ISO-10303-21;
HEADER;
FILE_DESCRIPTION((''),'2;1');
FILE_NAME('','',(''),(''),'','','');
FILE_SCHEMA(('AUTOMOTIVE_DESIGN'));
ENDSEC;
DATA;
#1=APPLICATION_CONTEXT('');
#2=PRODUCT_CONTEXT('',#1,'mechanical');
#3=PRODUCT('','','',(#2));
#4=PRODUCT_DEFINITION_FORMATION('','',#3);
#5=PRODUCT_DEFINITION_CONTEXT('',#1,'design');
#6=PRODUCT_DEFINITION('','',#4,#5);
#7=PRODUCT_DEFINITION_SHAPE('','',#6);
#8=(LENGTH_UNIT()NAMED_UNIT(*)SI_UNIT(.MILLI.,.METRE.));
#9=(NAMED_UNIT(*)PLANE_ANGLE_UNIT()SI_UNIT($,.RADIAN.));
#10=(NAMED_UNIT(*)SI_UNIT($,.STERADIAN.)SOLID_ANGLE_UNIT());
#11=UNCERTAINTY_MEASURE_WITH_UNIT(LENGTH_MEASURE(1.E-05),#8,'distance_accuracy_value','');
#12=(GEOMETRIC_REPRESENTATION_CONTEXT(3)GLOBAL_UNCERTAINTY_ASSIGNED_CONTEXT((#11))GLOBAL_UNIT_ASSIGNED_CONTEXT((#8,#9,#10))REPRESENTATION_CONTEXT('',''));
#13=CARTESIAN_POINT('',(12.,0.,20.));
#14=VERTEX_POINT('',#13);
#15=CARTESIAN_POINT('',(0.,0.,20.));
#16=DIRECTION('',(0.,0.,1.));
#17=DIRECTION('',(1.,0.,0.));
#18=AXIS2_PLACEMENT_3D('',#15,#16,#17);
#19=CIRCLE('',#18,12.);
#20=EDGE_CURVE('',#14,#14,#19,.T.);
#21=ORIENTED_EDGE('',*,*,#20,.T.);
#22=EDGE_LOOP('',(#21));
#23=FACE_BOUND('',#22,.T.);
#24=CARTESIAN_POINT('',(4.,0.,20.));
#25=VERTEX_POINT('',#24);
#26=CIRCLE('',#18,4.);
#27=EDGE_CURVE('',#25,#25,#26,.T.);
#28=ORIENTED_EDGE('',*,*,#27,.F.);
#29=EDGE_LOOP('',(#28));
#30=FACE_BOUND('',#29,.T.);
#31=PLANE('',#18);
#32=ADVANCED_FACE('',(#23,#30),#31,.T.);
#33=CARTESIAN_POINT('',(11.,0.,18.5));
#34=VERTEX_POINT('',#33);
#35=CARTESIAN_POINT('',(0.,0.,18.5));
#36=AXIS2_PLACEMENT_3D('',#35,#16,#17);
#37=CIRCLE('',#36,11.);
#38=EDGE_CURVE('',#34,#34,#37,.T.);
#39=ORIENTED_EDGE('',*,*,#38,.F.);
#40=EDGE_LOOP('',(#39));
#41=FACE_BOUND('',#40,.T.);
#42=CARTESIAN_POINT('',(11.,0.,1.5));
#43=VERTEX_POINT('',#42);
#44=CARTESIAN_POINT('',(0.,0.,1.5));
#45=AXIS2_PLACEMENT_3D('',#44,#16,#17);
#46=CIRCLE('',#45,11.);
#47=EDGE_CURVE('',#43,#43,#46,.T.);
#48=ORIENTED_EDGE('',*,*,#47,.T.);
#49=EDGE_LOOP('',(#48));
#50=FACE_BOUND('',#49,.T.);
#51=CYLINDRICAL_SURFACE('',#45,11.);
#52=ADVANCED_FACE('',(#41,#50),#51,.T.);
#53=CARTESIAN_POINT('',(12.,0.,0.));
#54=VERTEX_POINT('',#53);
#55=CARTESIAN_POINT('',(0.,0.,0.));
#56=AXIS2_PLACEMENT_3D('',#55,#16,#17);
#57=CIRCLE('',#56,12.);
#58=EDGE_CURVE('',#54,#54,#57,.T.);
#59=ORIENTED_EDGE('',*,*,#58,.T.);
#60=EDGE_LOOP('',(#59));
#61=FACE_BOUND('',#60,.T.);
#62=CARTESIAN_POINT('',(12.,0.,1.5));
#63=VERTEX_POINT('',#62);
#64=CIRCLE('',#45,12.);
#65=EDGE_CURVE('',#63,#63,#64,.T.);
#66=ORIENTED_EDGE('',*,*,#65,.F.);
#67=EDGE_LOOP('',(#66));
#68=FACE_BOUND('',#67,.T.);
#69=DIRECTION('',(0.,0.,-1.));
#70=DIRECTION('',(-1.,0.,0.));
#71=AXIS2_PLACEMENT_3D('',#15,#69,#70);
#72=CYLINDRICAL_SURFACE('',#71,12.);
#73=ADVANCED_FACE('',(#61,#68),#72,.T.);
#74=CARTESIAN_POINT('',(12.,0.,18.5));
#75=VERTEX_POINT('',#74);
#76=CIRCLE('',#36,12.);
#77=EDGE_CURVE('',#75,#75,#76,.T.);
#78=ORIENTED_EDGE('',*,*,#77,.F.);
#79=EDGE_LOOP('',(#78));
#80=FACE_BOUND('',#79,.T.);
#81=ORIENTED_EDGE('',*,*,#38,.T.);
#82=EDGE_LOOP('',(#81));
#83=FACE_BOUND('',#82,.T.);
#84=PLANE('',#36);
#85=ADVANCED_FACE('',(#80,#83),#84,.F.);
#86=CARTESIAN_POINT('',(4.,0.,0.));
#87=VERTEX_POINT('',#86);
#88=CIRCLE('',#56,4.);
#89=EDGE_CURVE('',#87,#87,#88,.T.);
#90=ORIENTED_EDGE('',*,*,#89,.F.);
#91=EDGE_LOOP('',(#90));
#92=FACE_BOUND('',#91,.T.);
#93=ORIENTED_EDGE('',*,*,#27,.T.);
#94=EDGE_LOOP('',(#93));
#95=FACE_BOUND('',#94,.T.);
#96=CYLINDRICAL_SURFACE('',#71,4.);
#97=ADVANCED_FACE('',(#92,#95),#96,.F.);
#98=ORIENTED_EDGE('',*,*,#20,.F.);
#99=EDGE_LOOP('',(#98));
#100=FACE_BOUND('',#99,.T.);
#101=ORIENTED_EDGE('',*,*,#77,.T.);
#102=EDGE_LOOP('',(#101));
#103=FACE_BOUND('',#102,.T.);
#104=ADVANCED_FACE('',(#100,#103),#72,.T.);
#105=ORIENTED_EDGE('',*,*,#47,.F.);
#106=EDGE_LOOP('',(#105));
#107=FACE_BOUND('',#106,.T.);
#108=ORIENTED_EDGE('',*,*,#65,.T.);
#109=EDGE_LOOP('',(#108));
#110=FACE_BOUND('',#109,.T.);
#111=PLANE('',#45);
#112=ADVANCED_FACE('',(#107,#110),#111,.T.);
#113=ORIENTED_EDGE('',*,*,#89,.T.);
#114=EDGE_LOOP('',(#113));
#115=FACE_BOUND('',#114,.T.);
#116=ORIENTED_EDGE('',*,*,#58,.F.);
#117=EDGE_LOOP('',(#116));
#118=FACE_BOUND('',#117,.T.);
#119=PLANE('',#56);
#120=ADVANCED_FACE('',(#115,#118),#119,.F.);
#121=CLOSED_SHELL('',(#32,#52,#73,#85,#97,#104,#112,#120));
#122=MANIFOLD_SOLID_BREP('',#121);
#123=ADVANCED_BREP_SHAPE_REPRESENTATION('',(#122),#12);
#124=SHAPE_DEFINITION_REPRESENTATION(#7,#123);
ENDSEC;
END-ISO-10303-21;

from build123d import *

# Parameters (mm, degrees)
SKETCH1_R           = 12
SKETCH1_R_2         = 4
BOSS_EXTRUDE1_DEPTH = 20
CUT_EXTRUDE1_START  = -1.5
SKETCH2_R           = 17.91123385
SKETCH2_R_2         = 11
CUT_EXTRUDE1_DEPTH  = 17


with BuildPart() as part:
    # Sketch1 → Boss-Extrude1 (new body)
    with BuildSketch(Plane.XY):
        Circle(SKETCH1_R)
        Circle(SKETCH1_R_2, mode=Mode.SUBTRACT)
    extrude(amount=BOSS_EXTRUDE1_DEPTH)

    # Sketch2 → Cut-Extrude1 (cut)
    with BuildSketch(Plane.XY.offset(20).offset(CUT_EXTRUDE1_START)):
        Circle(SKETCH2_R)
        Circle(SKETCH2_R_2, mode=Mode.SUBTRACT)
    extrude(amount=-CUT_EXTRUDE1_DEPTH, mode=Mode.SUBTRACT)


solid = part.part
